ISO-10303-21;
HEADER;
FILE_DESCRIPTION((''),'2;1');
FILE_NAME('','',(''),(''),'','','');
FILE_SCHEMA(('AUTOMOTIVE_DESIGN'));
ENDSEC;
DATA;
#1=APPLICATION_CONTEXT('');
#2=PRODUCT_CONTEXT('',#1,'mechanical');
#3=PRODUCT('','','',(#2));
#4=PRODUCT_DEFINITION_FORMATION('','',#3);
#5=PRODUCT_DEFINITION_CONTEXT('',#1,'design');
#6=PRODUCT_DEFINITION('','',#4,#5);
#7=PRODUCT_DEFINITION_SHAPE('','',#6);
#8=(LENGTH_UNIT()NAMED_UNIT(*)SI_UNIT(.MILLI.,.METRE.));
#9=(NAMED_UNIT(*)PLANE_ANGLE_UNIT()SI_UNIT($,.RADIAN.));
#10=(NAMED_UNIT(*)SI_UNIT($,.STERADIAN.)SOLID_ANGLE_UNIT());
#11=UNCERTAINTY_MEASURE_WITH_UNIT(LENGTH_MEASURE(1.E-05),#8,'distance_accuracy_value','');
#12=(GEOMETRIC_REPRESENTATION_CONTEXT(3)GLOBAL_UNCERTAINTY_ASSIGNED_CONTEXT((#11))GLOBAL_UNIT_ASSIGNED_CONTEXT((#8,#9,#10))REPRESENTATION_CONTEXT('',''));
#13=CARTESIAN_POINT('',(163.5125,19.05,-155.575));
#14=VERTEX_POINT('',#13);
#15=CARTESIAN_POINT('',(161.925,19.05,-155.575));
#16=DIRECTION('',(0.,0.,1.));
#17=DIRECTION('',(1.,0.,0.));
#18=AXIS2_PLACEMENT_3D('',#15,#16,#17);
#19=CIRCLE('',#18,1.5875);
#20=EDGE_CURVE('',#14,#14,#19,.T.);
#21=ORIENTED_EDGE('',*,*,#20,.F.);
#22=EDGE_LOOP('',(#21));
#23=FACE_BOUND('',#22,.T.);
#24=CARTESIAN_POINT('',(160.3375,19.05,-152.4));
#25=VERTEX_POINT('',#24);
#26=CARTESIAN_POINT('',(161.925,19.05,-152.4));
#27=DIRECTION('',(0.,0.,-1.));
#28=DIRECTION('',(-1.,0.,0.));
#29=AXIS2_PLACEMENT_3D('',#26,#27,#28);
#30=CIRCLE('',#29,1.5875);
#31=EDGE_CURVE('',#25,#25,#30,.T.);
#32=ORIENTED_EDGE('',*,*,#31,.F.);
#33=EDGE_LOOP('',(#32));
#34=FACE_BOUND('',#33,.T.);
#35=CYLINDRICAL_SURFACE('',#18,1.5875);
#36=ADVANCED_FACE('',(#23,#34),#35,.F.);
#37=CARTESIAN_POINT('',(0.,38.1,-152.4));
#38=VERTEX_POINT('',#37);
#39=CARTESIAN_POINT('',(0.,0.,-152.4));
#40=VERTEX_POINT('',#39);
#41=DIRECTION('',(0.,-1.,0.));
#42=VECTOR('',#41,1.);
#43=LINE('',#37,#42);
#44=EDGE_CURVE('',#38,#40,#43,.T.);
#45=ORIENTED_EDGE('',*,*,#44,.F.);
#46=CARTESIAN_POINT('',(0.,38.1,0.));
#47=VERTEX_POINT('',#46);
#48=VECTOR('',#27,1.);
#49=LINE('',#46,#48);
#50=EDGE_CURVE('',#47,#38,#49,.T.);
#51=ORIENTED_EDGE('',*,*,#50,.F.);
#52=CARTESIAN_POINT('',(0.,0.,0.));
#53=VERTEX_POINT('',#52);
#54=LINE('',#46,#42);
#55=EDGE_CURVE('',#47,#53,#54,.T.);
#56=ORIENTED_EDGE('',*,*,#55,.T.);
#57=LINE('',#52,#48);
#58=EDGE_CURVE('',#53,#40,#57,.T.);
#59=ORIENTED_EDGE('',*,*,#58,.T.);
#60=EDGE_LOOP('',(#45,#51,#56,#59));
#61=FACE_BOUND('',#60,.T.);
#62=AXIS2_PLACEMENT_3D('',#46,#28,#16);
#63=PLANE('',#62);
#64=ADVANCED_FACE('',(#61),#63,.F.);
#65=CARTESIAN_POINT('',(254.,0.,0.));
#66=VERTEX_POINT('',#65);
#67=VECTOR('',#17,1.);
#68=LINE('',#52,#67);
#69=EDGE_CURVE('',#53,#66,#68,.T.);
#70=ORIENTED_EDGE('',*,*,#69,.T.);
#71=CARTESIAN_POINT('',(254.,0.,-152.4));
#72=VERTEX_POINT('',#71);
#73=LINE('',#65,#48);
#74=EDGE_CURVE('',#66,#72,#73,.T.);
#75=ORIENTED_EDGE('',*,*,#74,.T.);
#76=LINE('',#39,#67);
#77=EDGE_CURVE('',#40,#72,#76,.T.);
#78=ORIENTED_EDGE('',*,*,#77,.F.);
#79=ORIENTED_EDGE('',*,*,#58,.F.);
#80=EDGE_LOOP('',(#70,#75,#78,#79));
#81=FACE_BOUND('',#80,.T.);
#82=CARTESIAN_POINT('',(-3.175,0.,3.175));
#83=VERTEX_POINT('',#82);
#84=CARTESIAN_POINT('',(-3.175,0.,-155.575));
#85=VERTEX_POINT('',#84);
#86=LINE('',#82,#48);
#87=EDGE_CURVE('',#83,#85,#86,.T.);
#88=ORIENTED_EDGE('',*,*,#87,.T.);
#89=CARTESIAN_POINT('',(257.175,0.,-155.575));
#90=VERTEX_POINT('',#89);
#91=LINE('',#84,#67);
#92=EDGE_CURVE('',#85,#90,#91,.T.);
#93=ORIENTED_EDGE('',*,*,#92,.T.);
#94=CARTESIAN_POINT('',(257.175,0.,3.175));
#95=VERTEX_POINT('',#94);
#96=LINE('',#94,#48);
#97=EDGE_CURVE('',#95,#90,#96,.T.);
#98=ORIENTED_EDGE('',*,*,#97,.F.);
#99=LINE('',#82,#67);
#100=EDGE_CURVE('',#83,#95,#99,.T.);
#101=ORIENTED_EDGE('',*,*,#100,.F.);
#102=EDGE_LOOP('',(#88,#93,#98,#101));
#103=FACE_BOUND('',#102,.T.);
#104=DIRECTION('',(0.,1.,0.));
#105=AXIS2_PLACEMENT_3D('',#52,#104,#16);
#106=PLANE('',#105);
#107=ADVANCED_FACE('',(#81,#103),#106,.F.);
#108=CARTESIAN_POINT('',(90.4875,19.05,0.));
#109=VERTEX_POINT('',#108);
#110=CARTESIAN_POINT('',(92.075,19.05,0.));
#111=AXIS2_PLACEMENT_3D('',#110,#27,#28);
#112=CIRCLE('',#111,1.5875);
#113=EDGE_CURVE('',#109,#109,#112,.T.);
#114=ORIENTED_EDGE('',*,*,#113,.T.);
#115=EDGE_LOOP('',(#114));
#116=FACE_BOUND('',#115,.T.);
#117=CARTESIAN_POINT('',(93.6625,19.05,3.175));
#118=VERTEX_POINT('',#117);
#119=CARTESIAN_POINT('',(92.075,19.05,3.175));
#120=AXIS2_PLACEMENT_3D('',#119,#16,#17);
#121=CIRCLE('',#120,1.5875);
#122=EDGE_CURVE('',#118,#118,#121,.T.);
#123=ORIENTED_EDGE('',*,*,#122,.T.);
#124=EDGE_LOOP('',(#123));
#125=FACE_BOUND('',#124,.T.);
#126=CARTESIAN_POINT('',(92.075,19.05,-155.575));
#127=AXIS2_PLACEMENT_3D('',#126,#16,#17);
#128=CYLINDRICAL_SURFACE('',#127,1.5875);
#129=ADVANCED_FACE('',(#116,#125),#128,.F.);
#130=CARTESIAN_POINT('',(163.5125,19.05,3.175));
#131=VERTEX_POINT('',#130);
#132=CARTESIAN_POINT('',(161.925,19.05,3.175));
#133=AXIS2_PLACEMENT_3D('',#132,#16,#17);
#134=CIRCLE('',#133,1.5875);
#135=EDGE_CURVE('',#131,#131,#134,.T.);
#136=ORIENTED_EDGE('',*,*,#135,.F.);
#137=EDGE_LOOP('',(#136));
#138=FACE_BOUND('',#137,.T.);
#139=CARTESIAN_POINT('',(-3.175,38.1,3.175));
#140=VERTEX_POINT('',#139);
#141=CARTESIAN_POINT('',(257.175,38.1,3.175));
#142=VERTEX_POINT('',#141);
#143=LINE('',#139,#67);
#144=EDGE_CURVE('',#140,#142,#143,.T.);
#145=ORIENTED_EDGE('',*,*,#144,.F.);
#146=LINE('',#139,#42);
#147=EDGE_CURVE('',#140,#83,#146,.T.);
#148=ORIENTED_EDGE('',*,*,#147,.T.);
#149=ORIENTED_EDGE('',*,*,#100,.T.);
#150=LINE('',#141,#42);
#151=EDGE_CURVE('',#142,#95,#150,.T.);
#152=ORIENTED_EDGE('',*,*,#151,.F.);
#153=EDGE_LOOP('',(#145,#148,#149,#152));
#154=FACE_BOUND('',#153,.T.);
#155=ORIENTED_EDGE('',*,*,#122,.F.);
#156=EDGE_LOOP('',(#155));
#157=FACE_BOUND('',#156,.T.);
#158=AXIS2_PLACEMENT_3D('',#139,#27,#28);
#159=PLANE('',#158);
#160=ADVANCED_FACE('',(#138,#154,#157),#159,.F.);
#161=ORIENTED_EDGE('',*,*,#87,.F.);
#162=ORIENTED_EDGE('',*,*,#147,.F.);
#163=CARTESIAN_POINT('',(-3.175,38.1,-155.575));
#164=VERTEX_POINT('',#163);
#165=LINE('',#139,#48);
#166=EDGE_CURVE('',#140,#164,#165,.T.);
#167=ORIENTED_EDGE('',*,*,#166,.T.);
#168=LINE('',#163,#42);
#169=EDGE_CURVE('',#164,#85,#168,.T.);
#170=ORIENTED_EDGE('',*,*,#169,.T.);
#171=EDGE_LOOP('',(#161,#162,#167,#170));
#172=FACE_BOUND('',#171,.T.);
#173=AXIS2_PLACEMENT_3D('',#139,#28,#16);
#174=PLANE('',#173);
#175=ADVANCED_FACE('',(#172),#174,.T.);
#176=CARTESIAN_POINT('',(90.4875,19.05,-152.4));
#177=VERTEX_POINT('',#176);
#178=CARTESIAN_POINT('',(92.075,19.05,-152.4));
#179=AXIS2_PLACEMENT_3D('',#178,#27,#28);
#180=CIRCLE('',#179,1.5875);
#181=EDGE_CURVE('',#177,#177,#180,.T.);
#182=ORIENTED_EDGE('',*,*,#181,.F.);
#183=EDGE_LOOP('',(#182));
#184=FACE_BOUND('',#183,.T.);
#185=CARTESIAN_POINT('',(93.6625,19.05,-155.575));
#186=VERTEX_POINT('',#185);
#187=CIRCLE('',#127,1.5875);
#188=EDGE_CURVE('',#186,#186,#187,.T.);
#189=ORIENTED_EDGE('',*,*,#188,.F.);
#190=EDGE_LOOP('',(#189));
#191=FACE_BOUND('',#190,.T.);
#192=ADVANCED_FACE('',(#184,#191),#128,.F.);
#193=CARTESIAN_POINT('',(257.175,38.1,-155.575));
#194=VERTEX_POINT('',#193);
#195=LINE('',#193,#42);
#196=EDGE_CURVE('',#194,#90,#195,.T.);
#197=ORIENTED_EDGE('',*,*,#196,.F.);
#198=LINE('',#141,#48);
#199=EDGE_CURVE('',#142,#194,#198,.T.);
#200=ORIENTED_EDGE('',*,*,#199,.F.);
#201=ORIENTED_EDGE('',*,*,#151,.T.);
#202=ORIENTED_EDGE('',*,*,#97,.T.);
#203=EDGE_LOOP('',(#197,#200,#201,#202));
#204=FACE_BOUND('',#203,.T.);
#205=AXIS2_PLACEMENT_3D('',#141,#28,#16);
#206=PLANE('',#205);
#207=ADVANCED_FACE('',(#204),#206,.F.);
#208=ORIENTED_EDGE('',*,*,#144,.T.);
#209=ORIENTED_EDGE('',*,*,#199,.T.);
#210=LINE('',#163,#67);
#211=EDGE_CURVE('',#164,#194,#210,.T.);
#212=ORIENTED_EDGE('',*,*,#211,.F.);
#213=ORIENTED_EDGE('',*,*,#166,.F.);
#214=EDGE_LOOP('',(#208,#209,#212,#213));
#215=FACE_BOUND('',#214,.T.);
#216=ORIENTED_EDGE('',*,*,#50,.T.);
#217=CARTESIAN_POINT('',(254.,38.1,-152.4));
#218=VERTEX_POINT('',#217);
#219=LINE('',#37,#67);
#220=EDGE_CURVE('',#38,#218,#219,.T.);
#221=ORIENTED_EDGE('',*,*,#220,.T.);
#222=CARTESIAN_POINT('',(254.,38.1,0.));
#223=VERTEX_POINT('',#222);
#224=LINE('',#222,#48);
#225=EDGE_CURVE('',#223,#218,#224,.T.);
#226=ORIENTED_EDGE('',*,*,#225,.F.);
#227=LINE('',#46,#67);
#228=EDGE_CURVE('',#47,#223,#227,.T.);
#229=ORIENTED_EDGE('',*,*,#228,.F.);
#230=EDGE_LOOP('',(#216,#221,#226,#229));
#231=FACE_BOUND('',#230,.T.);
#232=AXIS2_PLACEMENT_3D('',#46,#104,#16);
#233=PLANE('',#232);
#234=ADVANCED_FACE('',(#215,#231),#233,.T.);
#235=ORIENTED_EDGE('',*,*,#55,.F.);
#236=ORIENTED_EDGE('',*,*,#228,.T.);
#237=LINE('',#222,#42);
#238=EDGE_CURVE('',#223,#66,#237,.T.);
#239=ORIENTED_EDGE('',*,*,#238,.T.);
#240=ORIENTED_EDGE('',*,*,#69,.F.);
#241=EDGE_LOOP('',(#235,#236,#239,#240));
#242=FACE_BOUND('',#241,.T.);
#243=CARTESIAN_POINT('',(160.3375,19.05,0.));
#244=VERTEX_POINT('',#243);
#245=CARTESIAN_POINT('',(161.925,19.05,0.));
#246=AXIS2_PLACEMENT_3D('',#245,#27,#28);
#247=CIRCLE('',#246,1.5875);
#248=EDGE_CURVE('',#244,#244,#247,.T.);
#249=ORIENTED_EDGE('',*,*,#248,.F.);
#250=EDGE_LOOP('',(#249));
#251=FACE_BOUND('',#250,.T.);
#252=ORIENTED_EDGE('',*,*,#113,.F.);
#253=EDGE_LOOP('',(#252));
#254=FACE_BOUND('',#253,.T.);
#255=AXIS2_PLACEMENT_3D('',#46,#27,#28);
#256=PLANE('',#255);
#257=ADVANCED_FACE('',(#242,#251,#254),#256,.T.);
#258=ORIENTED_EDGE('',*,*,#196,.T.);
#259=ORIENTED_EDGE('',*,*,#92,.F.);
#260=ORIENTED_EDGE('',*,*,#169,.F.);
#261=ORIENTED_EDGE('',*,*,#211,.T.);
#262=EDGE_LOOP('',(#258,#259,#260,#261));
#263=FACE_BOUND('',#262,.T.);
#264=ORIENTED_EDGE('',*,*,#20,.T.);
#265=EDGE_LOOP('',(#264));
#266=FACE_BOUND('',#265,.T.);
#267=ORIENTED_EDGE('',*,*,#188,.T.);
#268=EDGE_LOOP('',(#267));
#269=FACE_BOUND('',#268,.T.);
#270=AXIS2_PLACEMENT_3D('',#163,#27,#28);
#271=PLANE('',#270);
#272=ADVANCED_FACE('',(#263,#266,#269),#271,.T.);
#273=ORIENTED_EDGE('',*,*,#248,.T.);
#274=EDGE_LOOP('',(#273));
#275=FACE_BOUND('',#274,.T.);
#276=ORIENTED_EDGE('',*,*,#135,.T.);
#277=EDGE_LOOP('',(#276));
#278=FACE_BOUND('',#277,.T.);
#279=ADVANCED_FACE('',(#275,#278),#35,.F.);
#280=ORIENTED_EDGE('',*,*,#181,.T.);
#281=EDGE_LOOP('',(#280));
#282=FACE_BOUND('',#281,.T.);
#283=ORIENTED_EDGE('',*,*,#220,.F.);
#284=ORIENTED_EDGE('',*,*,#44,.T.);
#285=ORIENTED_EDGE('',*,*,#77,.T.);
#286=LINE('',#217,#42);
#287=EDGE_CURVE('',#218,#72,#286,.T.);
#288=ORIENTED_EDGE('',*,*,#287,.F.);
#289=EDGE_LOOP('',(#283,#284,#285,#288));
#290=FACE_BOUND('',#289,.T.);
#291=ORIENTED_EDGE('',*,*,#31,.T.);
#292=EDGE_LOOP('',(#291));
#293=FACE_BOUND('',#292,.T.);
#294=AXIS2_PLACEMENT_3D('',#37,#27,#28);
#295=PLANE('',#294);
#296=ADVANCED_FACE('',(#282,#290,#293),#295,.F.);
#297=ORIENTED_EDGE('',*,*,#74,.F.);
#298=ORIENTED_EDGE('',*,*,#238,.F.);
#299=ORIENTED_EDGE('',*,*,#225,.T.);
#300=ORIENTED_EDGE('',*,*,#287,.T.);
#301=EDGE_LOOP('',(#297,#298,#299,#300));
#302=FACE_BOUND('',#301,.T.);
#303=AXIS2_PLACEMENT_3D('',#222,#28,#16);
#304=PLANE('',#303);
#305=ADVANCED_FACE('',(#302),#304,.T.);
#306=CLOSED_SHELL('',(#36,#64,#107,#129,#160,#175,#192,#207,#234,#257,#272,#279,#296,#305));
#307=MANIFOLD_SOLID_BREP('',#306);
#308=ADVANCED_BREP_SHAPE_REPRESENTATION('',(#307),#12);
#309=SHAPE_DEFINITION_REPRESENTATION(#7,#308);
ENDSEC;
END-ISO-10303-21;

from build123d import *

# Parameters (mm, degrees)
SKETCH4_W           = 260.35
SKETCH4_H           = 158.75
SKETCH4_W_2         = 254
SKETCH4_H_2         = 152.4
BOSS_EXTRUDE1_DEPTH = 38.1
SKETCH5_R           = 1.5875
CUT_EXTRUDE1_DEPTH  = 305.618044648
SKETCH5_4_R         = 1.5875
CUT_EXTRUDE2_DEPTH  = 305.618044648


with BuildPart() as part:
    # Sketch4 → Boss-Extrude1 (new body)
    with BuildSketch(Plane(origin=(0, 0, 0), x_dir=(1, 0, 0), z_dir=(0, 1, 0))):
        with Locations((127, 76.2)):
            Rectangle(SKETCH4_W, SKETCH4_H)
        with Locations((127, 76.2)):
            Rectangle(SKETCH4_W_2, SKETCH4_H_2, mode=Mode.SUBTRACT)
    extrude(amount=BOSS_EXTRUDE1_DEPTH)

    # Sketch5 → Cut-Extrude1 (cut, through all)
    with BuildSketch(Plane.XY.offset(3.175)):
        with Locations((92.075, 19.05)):
            Circle(SKETCH5_R)
    extrude(amount=-CUT_EXTRUDE1_DEPTH, mode=Mode.SUBTRACT)

    # Sketch5<4> → Cut-Extrude2 (cut, through all)
    with BuildSketch(Plane.XY.offset(3.175)):
        with Locations((161.925, 19.05)):
            Circle(SKETCH5_4_R)
    extrude(amount=-CUT_EXTRUDE2_DEPTH, mode=Mode.SUBTRACT)


solid = part.part
